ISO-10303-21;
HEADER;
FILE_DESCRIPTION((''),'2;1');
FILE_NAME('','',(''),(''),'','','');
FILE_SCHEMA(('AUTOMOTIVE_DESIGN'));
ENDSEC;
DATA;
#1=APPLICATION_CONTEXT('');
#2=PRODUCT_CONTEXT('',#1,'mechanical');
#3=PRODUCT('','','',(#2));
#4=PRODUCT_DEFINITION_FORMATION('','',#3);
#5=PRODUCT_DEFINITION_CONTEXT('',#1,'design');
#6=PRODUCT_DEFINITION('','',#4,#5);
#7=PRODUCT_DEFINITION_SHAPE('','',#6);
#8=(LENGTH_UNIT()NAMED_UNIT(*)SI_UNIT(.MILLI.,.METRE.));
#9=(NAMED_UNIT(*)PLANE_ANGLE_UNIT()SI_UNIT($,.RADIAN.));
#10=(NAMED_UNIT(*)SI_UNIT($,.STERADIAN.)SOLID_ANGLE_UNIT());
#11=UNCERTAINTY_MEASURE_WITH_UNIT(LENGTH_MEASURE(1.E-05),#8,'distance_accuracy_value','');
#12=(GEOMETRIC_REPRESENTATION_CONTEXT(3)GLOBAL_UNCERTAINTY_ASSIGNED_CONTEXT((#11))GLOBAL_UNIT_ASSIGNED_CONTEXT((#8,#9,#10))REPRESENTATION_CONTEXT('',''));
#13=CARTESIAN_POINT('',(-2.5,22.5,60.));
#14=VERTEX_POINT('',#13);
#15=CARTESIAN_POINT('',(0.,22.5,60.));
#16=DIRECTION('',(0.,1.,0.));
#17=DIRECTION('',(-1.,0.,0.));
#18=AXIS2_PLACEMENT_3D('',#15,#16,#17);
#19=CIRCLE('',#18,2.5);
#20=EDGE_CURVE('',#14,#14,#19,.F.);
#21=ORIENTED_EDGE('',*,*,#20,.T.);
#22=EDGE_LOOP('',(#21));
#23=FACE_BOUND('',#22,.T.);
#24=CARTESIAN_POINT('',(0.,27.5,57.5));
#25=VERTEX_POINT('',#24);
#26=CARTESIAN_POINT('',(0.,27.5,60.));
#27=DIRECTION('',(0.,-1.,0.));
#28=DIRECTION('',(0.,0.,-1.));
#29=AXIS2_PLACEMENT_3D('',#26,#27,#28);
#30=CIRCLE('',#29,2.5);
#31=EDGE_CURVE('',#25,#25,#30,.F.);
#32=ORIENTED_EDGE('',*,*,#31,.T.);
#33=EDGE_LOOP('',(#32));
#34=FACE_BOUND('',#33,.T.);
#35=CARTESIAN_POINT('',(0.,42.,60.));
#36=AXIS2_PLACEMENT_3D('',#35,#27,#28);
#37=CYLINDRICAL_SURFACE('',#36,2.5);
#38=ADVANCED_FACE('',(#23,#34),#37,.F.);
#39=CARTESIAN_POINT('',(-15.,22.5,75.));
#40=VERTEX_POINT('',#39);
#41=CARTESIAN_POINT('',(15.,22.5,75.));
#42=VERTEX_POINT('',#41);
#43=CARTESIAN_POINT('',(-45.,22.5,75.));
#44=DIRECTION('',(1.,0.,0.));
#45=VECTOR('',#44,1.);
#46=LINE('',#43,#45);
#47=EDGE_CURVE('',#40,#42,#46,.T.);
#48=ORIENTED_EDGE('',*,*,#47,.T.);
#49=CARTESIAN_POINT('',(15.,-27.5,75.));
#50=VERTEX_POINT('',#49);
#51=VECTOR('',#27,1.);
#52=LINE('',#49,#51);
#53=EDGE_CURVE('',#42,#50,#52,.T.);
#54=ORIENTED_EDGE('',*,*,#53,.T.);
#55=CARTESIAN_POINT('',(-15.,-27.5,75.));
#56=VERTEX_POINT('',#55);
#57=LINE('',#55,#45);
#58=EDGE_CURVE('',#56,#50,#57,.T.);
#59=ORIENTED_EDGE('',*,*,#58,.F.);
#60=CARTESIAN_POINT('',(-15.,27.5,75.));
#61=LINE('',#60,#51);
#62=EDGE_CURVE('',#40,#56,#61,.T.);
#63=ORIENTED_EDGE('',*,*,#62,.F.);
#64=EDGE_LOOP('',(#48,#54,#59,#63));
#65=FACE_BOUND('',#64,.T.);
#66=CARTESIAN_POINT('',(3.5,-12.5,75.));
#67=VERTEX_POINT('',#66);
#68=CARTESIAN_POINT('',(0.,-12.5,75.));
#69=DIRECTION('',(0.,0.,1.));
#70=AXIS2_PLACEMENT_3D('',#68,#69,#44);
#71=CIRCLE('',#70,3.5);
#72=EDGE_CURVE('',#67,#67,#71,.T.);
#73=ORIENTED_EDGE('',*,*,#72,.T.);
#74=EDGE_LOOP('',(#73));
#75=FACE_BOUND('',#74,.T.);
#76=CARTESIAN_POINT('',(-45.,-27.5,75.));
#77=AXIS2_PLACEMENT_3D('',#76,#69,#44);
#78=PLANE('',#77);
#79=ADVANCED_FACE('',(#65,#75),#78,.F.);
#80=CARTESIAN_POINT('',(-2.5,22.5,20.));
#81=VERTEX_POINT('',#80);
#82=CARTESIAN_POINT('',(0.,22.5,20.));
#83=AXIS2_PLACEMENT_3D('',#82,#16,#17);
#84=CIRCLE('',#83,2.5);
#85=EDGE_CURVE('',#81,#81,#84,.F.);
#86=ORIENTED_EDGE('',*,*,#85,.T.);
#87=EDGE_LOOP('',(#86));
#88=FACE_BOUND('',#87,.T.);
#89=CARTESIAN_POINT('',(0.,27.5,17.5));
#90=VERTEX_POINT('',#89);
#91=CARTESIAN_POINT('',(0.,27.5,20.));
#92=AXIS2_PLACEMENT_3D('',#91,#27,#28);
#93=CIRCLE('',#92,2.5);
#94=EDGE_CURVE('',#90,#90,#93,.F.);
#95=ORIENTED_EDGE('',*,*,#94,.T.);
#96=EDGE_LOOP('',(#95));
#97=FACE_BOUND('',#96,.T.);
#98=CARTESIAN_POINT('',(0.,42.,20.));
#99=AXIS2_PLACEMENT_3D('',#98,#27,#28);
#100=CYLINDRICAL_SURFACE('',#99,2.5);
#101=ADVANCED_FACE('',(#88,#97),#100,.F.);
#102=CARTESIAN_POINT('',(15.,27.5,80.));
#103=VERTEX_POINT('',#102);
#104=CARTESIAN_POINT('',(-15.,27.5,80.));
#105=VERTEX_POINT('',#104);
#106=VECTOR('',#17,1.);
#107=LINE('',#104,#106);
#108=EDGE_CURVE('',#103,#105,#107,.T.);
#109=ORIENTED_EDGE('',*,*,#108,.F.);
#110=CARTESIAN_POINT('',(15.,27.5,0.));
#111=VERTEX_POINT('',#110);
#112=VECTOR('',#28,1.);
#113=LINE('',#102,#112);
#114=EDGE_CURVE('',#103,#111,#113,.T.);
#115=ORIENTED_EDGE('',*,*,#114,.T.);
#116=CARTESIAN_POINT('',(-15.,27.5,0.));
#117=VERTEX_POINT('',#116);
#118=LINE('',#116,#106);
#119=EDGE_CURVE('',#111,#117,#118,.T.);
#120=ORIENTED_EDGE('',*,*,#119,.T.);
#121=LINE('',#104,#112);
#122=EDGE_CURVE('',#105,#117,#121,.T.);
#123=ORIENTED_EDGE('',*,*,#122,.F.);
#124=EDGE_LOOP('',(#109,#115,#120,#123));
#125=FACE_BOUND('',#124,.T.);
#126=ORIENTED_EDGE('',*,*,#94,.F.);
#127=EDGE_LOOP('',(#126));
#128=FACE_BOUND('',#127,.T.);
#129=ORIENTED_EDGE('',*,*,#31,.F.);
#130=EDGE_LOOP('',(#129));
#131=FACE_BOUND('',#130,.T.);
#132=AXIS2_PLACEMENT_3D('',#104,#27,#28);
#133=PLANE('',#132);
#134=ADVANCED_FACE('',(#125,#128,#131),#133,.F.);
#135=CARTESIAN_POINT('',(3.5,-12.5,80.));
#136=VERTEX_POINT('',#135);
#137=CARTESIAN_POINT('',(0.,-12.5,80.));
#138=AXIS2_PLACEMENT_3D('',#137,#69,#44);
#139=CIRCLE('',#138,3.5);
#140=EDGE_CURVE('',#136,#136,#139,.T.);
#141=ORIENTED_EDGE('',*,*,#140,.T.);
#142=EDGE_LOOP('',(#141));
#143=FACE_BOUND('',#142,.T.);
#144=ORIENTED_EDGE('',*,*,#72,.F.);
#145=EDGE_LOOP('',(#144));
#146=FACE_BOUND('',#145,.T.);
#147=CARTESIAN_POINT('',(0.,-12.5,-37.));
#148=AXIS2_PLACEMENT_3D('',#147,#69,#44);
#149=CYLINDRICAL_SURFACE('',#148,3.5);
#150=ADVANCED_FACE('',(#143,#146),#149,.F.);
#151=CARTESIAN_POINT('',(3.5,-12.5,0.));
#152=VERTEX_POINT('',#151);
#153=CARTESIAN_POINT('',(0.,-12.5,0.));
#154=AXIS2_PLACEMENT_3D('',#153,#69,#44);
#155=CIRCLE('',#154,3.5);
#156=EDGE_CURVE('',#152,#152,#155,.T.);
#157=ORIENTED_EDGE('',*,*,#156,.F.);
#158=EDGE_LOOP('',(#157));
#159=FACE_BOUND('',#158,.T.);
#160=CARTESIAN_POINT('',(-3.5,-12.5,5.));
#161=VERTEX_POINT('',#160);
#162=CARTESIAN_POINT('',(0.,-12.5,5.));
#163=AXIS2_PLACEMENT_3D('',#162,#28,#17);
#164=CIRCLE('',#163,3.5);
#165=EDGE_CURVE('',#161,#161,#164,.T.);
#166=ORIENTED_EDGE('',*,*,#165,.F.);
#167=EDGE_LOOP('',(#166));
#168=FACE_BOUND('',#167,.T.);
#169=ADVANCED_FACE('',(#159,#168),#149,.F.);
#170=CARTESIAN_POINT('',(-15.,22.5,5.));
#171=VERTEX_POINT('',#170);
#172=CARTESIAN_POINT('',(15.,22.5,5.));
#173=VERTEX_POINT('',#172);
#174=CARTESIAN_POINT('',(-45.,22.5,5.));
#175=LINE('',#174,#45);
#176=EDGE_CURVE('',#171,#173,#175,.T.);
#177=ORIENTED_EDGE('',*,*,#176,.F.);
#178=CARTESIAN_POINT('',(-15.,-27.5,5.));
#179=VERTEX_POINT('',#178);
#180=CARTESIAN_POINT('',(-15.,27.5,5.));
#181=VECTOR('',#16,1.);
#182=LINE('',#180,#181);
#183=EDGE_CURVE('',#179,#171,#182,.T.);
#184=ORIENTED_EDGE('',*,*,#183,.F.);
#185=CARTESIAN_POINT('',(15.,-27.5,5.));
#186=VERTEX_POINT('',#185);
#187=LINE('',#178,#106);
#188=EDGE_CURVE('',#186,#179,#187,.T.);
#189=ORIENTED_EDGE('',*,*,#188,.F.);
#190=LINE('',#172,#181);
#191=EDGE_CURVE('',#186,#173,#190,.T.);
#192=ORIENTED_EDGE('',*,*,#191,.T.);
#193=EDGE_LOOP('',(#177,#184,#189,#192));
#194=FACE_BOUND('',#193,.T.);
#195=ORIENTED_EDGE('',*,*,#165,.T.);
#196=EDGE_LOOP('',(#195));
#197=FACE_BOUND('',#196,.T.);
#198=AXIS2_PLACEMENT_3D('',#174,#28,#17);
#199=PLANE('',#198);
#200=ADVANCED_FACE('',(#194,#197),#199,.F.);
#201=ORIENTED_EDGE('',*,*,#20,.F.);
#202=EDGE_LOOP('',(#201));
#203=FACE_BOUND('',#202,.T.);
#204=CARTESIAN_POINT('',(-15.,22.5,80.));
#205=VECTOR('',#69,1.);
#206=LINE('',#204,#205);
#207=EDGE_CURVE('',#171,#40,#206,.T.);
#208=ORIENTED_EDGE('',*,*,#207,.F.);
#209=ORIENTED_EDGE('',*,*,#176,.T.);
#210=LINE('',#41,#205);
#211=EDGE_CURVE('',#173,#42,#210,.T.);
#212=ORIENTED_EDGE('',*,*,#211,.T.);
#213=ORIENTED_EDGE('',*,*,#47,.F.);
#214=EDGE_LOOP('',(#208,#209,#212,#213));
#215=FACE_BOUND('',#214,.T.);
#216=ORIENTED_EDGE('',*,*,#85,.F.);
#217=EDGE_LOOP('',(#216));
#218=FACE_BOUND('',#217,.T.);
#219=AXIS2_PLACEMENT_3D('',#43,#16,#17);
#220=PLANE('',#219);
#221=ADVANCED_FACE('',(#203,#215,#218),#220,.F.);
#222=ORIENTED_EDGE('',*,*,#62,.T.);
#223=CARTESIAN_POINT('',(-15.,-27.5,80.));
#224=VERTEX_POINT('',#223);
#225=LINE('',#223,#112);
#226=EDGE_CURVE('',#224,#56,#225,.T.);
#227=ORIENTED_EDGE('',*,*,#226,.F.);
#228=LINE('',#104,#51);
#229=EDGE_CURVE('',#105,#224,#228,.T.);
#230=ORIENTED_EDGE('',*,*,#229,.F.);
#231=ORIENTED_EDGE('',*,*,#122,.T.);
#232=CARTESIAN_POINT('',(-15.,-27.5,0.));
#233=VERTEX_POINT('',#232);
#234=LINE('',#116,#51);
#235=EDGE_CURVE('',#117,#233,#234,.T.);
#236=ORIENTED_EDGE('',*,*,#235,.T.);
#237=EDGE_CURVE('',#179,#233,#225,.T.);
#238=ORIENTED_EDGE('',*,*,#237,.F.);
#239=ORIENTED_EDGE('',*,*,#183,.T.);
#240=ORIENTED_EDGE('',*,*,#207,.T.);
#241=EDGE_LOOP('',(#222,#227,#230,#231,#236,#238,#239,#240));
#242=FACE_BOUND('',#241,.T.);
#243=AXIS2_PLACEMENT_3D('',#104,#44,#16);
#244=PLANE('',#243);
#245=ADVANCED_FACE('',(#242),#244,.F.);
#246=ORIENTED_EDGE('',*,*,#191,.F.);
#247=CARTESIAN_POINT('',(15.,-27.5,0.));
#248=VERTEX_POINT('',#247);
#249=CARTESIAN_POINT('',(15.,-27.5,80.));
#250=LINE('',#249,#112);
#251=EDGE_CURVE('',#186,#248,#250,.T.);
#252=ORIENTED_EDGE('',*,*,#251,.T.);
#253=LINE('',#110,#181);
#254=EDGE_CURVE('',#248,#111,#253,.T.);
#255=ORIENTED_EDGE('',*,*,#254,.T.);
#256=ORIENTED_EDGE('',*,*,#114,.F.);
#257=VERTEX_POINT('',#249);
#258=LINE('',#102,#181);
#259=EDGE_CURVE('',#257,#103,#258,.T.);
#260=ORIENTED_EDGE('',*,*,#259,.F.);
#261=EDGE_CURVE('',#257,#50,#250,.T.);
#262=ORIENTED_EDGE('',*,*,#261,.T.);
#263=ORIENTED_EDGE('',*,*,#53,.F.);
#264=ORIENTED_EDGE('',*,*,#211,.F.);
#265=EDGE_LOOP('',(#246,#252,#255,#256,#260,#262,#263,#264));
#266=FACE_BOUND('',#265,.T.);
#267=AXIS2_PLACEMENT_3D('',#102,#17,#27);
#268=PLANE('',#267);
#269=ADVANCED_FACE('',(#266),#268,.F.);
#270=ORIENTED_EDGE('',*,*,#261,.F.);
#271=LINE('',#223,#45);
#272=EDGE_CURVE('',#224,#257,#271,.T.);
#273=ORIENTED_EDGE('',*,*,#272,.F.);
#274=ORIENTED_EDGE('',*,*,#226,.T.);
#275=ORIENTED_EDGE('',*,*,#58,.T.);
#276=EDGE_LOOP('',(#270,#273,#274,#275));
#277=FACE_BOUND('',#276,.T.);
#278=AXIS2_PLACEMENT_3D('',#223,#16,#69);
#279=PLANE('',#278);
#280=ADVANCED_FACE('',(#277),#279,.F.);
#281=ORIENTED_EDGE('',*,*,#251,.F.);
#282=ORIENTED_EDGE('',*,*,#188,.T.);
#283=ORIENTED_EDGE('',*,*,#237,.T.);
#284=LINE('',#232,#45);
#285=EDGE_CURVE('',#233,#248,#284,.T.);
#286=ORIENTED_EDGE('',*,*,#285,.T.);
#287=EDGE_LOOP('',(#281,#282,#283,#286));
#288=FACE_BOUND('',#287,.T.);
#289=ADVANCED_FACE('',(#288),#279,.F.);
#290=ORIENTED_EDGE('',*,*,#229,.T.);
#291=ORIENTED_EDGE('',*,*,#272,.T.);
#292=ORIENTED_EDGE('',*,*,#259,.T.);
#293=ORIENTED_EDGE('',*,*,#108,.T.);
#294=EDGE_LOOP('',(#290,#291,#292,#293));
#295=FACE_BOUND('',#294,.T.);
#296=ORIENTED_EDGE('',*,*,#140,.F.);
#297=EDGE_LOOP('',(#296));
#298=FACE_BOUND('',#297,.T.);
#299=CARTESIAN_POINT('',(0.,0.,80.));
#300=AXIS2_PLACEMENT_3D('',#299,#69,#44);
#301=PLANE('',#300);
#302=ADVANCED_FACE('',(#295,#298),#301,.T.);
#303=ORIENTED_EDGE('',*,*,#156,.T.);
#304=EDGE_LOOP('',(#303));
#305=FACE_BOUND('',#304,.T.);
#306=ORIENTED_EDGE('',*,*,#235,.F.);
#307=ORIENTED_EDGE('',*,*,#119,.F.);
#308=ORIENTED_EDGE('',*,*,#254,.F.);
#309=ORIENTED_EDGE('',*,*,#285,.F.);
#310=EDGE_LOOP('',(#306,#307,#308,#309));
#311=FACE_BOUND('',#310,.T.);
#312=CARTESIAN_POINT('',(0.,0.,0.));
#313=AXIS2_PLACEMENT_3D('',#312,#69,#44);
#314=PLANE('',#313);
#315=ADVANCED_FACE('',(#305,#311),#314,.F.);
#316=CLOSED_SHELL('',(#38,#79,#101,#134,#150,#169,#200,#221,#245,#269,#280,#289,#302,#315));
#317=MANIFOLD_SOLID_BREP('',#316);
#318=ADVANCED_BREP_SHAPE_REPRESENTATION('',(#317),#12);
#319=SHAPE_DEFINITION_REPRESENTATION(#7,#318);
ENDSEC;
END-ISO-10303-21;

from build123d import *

# Parameters (mm, degrees)
SKETCH1_W           = 30
SKETCH1_H           = 55
BOSS_EXTRUDE1_DEPTH = 80
SKETCH2_W           = 70
SKETCH2_H           = 50
CUT_EXTRUDE1_DEPTH  = 60
SKETCH3_R           = 3.5
CUT_EXTRUDE2_DEPTH  = 117
SKETCH4_R           = 2.5
CUT_EXTRUDE3_DEPTH  = 42


with BuildPart() as part:
    # Sketch1 → Boss-Extrude1 (new body)
    with BuildSketch(Plane.XY):
        Rectangle(SKETCH1_W, SKETCH1_H)
    extrude(amount=BOSS_EXTRUDE1_DEPTH)

    # Sketch2 → Cut-Extrude1 (cut)
    with BuildSketch(Plane(origin=(15, 0, 0), x_dir=(0, 0, -1), z_dir=(1, 0, 0))):
        with Locations((-40, -2.5)):
            Rectangle(SKETCH2_W, SKETCH2_H)
    extrude(amount=-CUT_EXTRUDE1_DEPTH, mode=Mode.SUBTRACT)

    # Sketch3 → Cut-Extrude2 (cut)
    with BuildSketch(Plane.XY.offset(80)):
        with Locations((0, -12.5)):
            Circle(SKETCH3_R)
    extrude(amount=-CUT_EXTRUDE2_DEPTH, mode=Mode.SUBTRACT)

    # Sketch4 → Cut-Extrude3 (cut)
    with BuildSketch(Plane(origin=(0, 0, 0), x_dir=(1, 0, 0), z_dir=(0, 1, 0))):
        with Locations((0, -20)):
            Circle(SKETCH4_R)
        with Locations((0, -60)):
            Circle(SKETCH4_R)
    extrude(amount=CUT_EXTRUDE3_DEPTH, mode=Mode.SUBTRACT)


solid = part.part
